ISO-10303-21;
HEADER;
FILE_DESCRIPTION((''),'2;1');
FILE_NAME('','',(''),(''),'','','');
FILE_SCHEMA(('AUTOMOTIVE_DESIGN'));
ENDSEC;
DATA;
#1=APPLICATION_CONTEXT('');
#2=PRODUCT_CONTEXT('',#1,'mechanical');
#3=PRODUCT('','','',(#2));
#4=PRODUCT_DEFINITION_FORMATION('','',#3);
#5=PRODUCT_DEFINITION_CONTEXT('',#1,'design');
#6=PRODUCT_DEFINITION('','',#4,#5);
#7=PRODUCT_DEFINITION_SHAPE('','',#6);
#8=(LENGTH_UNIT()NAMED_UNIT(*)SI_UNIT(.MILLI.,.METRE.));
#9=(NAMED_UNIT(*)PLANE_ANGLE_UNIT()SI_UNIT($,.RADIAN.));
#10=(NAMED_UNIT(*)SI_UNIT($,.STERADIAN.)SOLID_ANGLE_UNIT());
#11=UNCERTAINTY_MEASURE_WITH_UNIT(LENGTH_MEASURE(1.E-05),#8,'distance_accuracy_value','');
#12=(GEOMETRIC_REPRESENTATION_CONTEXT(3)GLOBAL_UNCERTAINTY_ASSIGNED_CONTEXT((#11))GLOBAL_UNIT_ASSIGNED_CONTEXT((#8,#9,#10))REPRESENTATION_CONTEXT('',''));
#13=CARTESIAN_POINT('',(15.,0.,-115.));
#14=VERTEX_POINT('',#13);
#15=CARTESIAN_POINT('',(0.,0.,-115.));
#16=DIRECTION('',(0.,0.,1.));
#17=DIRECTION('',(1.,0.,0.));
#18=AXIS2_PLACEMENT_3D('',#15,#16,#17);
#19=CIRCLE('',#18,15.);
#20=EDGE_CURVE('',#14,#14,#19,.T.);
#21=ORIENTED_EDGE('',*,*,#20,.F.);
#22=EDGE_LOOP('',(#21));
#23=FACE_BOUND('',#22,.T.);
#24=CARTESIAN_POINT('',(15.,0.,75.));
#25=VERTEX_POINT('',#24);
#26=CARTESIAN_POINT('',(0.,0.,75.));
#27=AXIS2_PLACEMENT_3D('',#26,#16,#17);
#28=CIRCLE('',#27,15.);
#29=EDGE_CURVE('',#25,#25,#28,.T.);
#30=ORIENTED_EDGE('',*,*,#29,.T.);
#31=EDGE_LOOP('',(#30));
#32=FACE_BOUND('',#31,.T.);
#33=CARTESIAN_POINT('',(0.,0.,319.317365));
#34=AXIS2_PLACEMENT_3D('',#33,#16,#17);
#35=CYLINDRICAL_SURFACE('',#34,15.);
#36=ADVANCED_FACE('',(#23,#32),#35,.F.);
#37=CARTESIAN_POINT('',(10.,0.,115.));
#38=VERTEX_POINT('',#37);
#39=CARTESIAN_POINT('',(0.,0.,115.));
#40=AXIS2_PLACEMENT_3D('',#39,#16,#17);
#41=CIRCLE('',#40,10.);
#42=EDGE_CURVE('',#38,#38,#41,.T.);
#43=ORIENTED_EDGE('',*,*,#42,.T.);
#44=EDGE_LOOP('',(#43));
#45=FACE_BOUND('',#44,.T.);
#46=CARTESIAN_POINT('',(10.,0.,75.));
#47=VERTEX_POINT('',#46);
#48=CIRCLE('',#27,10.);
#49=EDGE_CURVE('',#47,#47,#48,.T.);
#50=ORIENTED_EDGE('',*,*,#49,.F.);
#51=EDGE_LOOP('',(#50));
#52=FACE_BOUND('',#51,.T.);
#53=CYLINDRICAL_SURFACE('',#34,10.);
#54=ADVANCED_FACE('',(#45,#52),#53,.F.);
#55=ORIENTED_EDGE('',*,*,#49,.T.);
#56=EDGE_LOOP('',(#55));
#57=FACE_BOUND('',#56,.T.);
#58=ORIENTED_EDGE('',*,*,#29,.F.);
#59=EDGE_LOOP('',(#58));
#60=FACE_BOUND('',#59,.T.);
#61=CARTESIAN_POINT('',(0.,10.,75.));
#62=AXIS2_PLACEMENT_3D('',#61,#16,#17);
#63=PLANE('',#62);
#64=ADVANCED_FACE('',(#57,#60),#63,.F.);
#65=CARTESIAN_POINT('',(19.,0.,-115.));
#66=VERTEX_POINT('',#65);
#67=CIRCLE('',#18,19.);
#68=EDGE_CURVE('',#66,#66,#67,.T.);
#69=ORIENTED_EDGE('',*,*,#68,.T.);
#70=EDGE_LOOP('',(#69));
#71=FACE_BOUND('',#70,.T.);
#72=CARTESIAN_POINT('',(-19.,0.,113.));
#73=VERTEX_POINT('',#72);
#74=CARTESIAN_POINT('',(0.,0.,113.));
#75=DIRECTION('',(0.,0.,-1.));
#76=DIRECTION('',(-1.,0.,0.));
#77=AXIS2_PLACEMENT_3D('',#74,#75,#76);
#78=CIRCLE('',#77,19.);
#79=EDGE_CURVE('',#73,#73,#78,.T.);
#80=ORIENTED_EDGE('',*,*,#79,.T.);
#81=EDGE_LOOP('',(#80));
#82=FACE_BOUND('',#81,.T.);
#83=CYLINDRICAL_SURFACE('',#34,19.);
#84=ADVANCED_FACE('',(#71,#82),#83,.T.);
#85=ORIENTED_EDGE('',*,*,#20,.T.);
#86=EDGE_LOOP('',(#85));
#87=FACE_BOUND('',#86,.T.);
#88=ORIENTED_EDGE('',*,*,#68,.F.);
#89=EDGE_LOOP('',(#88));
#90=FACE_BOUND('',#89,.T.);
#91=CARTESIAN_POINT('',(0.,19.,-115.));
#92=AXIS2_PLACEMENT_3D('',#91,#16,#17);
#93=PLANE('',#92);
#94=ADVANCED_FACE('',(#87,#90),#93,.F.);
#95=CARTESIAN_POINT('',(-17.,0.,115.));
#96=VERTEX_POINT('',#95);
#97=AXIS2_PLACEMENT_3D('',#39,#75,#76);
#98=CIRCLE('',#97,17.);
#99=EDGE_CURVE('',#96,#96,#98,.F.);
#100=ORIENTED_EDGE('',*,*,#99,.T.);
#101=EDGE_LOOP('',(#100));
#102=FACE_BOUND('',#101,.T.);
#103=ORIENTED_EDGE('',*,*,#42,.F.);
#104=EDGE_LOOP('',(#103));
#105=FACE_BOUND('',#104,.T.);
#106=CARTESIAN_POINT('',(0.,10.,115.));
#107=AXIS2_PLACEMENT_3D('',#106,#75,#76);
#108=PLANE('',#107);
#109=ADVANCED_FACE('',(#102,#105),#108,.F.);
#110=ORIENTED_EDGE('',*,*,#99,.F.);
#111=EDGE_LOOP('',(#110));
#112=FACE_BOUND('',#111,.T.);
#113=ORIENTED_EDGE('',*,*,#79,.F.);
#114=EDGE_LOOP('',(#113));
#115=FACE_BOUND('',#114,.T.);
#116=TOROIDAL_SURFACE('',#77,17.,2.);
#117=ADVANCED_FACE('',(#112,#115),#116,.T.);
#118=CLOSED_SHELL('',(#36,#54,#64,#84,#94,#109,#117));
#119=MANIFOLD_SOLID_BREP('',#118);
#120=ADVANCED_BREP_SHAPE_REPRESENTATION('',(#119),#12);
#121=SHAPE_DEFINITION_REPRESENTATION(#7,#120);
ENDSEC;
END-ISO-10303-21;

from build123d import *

# Parameters (mm, degrees)
FILLET1_R = 2


with BuildPart() as part:
    # Sketch1 → Revolve1 (revolve)
    with BuildSketch(Plane.YZ, mode=Mode.PRIVATE) as revolve1_sk:
        Polygon((10, 115), (19, 115), (19, -115), (15, -115), (15, 75), (10, 75), align=None)
    revolve(revolve1_sk.sketch.rotate(Axis((0, 0, 319.317365216), (0, 0, -1)), 90), axis=Axis((0, 0, 319.317365216), (0, 0, -1)))

    # Fillet1
    fillet1_edges = [part.edges().sort_by_distance(p)[0] for p in [
        (-19, 0, 115),
    ]]
    fillet(fillet1_edges, radius=FILLET1_R)


solid = part.part
